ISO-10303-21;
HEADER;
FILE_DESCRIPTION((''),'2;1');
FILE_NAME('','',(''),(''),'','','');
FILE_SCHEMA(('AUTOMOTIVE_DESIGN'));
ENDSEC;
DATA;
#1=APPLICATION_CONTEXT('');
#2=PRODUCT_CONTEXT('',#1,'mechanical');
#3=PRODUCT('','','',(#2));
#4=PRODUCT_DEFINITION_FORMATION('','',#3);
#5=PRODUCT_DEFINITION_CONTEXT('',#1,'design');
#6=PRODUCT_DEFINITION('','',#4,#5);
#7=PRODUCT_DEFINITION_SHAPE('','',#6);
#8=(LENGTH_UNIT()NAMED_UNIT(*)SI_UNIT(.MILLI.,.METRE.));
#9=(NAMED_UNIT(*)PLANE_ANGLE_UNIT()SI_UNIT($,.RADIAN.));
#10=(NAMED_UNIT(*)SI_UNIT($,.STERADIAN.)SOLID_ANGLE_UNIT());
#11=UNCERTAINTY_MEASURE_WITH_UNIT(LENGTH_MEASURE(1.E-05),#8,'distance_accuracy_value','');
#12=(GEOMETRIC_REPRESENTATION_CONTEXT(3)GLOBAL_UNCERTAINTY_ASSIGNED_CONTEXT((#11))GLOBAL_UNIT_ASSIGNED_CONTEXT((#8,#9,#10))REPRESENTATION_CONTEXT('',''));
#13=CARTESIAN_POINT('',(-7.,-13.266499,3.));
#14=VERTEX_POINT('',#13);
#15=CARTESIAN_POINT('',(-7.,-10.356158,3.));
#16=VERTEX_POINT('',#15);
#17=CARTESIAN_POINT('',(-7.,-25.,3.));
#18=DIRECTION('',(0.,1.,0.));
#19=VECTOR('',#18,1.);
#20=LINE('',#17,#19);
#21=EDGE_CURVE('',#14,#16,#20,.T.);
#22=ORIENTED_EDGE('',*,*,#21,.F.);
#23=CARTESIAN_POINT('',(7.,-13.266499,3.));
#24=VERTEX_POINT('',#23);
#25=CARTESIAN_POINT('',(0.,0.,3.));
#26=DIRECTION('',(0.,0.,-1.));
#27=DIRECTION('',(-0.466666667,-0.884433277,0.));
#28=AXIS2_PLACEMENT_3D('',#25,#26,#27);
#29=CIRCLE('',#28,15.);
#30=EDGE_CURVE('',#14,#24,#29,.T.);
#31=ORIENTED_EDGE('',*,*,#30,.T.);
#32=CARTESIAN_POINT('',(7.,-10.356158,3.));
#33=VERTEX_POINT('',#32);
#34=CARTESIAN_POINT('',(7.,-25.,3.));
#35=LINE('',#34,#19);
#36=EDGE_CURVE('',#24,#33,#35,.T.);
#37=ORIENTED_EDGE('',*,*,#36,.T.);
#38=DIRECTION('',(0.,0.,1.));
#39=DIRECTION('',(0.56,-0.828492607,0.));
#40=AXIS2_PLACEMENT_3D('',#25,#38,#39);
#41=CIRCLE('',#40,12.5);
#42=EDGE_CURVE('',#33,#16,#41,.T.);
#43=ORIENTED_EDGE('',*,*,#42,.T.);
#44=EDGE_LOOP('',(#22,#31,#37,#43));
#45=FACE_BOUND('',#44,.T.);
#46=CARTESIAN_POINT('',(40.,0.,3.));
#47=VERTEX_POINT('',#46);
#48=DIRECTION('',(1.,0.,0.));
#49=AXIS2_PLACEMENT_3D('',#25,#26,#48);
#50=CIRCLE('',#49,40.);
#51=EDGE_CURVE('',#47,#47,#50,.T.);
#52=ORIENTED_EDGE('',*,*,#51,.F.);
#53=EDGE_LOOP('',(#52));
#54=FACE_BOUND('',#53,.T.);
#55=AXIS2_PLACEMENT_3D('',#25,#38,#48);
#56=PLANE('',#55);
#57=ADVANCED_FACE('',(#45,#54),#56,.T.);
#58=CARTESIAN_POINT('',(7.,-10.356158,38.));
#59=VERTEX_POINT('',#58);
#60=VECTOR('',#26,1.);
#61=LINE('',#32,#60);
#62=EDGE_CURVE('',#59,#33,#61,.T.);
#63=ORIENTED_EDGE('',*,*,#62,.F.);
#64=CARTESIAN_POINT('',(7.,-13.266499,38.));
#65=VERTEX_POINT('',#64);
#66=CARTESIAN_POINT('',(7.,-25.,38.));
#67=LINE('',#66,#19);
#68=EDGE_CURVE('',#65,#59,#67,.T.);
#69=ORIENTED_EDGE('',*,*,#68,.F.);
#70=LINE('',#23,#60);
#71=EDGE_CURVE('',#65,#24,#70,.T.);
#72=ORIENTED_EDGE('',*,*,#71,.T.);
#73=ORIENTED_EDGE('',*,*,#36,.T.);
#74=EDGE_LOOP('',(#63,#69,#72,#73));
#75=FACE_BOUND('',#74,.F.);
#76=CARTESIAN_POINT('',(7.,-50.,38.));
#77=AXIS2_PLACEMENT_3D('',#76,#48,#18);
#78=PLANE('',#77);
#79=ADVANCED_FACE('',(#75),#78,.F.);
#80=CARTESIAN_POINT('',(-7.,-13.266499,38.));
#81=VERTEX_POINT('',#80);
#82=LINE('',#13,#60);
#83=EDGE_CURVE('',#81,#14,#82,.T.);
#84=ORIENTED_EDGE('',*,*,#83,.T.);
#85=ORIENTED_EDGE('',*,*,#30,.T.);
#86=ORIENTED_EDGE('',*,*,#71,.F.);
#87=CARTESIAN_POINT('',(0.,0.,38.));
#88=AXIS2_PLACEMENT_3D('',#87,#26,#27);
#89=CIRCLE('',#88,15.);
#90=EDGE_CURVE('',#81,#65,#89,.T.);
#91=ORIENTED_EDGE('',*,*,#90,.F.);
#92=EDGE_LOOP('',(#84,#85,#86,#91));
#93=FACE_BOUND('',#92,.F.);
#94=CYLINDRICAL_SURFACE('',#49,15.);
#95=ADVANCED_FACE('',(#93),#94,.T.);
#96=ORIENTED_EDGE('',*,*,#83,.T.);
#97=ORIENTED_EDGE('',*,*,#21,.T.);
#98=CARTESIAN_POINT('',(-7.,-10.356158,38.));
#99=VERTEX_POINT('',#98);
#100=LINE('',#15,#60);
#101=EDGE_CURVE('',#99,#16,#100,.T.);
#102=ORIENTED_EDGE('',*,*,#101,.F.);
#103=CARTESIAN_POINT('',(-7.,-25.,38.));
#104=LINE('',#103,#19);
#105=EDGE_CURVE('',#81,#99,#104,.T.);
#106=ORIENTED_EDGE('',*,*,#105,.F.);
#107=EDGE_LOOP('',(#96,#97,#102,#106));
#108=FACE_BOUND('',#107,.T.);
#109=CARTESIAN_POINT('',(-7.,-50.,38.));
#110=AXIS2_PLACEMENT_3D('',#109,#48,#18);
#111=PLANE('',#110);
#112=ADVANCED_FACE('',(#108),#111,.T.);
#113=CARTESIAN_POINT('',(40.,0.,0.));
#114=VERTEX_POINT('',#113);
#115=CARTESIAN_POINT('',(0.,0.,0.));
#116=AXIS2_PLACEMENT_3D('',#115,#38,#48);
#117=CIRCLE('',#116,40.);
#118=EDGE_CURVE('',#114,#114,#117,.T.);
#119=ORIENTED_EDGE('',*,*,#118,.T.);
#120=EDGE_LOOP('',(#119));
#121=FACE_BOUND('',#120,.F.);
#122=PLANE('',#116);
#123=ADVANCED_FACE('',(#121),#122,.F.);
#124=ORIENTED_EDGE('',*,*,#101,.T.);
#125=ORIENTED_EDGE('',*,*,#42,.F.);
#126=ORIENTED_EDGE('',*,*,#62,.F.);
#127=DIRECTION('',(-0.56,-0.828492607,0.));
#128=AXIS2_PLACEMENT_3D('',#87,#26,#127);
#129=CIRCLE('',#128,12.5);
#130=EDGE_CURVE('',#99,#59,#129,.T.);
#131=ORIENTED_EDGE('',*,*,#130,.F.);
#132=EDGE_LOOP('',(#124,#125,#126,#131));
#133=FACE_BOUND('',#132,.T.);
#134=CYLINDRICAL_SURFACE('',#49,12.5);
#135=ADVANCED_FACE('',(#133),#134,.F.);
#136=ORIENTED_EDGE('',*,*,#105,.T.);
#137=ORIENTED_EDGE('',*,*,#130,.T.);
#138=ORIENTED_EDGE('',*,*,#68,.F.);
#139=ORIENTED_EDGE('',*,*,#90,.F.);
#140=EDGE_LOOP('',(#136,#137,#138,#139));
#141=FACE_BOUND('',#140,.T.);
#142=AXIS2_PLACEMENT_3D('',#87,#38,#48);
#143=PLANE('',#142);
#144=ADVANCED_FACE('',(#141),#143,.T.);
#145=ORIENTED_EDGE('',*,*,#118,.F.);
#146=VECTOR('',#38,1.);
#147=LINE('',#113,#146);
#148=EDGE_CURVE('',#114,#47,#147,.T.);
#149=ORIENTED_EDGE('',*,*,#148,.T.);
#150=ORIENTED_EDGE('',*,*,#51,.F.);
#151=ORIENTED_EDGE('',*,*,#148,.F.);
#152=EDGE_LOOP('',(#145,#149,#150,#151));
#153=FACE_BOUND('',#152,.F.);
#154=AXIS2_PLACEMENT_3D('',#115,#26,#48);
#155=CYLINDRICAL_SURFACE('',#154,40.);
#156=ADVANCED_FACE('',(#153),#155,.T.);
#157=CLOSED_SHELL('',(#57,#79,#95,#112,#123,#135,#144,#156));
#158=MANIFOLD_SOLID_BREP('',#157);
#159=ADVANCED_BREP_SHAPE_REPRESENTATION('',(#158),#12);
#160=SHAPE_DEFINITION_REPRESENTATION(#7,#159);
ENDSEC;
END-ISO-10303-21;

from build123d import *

# Parameters (mm, degrees)
F0_R     = 40
F1_DEPTH = 3
F2_R     = 15
F2_R_2   = 12.5
F3_DEPTH = 35
F4_W     = 14
F4_H     = 50
F5_DEPTH = 35


with BuildPart() as f1:
    # F0 (on Top) → F1 (new body)
    with BuildSketch(Plane.XY):
        Circle(F0_R)
    extrude(amount=F1_DEPTH)

    # F2 (on face) → F3 (join)
    with BuildSketch(Plane.XY.offset(3)):
        Circle(F2_R)
        Circle(F2_R_2, mode=Mode.SUBTRACT)
    extrude(amount=F3_DEPTH)

    # F4 (on face) → F5 (cut)
    with BuildSketch(Plane.XY.offset(38)):
        with Locations((0, -25)):
            Rectangle(F4_W, F4_H)
    extrude(amount=-F5_DEPTH, mode=Mode.SUBTRACT)


solid = f1.part
